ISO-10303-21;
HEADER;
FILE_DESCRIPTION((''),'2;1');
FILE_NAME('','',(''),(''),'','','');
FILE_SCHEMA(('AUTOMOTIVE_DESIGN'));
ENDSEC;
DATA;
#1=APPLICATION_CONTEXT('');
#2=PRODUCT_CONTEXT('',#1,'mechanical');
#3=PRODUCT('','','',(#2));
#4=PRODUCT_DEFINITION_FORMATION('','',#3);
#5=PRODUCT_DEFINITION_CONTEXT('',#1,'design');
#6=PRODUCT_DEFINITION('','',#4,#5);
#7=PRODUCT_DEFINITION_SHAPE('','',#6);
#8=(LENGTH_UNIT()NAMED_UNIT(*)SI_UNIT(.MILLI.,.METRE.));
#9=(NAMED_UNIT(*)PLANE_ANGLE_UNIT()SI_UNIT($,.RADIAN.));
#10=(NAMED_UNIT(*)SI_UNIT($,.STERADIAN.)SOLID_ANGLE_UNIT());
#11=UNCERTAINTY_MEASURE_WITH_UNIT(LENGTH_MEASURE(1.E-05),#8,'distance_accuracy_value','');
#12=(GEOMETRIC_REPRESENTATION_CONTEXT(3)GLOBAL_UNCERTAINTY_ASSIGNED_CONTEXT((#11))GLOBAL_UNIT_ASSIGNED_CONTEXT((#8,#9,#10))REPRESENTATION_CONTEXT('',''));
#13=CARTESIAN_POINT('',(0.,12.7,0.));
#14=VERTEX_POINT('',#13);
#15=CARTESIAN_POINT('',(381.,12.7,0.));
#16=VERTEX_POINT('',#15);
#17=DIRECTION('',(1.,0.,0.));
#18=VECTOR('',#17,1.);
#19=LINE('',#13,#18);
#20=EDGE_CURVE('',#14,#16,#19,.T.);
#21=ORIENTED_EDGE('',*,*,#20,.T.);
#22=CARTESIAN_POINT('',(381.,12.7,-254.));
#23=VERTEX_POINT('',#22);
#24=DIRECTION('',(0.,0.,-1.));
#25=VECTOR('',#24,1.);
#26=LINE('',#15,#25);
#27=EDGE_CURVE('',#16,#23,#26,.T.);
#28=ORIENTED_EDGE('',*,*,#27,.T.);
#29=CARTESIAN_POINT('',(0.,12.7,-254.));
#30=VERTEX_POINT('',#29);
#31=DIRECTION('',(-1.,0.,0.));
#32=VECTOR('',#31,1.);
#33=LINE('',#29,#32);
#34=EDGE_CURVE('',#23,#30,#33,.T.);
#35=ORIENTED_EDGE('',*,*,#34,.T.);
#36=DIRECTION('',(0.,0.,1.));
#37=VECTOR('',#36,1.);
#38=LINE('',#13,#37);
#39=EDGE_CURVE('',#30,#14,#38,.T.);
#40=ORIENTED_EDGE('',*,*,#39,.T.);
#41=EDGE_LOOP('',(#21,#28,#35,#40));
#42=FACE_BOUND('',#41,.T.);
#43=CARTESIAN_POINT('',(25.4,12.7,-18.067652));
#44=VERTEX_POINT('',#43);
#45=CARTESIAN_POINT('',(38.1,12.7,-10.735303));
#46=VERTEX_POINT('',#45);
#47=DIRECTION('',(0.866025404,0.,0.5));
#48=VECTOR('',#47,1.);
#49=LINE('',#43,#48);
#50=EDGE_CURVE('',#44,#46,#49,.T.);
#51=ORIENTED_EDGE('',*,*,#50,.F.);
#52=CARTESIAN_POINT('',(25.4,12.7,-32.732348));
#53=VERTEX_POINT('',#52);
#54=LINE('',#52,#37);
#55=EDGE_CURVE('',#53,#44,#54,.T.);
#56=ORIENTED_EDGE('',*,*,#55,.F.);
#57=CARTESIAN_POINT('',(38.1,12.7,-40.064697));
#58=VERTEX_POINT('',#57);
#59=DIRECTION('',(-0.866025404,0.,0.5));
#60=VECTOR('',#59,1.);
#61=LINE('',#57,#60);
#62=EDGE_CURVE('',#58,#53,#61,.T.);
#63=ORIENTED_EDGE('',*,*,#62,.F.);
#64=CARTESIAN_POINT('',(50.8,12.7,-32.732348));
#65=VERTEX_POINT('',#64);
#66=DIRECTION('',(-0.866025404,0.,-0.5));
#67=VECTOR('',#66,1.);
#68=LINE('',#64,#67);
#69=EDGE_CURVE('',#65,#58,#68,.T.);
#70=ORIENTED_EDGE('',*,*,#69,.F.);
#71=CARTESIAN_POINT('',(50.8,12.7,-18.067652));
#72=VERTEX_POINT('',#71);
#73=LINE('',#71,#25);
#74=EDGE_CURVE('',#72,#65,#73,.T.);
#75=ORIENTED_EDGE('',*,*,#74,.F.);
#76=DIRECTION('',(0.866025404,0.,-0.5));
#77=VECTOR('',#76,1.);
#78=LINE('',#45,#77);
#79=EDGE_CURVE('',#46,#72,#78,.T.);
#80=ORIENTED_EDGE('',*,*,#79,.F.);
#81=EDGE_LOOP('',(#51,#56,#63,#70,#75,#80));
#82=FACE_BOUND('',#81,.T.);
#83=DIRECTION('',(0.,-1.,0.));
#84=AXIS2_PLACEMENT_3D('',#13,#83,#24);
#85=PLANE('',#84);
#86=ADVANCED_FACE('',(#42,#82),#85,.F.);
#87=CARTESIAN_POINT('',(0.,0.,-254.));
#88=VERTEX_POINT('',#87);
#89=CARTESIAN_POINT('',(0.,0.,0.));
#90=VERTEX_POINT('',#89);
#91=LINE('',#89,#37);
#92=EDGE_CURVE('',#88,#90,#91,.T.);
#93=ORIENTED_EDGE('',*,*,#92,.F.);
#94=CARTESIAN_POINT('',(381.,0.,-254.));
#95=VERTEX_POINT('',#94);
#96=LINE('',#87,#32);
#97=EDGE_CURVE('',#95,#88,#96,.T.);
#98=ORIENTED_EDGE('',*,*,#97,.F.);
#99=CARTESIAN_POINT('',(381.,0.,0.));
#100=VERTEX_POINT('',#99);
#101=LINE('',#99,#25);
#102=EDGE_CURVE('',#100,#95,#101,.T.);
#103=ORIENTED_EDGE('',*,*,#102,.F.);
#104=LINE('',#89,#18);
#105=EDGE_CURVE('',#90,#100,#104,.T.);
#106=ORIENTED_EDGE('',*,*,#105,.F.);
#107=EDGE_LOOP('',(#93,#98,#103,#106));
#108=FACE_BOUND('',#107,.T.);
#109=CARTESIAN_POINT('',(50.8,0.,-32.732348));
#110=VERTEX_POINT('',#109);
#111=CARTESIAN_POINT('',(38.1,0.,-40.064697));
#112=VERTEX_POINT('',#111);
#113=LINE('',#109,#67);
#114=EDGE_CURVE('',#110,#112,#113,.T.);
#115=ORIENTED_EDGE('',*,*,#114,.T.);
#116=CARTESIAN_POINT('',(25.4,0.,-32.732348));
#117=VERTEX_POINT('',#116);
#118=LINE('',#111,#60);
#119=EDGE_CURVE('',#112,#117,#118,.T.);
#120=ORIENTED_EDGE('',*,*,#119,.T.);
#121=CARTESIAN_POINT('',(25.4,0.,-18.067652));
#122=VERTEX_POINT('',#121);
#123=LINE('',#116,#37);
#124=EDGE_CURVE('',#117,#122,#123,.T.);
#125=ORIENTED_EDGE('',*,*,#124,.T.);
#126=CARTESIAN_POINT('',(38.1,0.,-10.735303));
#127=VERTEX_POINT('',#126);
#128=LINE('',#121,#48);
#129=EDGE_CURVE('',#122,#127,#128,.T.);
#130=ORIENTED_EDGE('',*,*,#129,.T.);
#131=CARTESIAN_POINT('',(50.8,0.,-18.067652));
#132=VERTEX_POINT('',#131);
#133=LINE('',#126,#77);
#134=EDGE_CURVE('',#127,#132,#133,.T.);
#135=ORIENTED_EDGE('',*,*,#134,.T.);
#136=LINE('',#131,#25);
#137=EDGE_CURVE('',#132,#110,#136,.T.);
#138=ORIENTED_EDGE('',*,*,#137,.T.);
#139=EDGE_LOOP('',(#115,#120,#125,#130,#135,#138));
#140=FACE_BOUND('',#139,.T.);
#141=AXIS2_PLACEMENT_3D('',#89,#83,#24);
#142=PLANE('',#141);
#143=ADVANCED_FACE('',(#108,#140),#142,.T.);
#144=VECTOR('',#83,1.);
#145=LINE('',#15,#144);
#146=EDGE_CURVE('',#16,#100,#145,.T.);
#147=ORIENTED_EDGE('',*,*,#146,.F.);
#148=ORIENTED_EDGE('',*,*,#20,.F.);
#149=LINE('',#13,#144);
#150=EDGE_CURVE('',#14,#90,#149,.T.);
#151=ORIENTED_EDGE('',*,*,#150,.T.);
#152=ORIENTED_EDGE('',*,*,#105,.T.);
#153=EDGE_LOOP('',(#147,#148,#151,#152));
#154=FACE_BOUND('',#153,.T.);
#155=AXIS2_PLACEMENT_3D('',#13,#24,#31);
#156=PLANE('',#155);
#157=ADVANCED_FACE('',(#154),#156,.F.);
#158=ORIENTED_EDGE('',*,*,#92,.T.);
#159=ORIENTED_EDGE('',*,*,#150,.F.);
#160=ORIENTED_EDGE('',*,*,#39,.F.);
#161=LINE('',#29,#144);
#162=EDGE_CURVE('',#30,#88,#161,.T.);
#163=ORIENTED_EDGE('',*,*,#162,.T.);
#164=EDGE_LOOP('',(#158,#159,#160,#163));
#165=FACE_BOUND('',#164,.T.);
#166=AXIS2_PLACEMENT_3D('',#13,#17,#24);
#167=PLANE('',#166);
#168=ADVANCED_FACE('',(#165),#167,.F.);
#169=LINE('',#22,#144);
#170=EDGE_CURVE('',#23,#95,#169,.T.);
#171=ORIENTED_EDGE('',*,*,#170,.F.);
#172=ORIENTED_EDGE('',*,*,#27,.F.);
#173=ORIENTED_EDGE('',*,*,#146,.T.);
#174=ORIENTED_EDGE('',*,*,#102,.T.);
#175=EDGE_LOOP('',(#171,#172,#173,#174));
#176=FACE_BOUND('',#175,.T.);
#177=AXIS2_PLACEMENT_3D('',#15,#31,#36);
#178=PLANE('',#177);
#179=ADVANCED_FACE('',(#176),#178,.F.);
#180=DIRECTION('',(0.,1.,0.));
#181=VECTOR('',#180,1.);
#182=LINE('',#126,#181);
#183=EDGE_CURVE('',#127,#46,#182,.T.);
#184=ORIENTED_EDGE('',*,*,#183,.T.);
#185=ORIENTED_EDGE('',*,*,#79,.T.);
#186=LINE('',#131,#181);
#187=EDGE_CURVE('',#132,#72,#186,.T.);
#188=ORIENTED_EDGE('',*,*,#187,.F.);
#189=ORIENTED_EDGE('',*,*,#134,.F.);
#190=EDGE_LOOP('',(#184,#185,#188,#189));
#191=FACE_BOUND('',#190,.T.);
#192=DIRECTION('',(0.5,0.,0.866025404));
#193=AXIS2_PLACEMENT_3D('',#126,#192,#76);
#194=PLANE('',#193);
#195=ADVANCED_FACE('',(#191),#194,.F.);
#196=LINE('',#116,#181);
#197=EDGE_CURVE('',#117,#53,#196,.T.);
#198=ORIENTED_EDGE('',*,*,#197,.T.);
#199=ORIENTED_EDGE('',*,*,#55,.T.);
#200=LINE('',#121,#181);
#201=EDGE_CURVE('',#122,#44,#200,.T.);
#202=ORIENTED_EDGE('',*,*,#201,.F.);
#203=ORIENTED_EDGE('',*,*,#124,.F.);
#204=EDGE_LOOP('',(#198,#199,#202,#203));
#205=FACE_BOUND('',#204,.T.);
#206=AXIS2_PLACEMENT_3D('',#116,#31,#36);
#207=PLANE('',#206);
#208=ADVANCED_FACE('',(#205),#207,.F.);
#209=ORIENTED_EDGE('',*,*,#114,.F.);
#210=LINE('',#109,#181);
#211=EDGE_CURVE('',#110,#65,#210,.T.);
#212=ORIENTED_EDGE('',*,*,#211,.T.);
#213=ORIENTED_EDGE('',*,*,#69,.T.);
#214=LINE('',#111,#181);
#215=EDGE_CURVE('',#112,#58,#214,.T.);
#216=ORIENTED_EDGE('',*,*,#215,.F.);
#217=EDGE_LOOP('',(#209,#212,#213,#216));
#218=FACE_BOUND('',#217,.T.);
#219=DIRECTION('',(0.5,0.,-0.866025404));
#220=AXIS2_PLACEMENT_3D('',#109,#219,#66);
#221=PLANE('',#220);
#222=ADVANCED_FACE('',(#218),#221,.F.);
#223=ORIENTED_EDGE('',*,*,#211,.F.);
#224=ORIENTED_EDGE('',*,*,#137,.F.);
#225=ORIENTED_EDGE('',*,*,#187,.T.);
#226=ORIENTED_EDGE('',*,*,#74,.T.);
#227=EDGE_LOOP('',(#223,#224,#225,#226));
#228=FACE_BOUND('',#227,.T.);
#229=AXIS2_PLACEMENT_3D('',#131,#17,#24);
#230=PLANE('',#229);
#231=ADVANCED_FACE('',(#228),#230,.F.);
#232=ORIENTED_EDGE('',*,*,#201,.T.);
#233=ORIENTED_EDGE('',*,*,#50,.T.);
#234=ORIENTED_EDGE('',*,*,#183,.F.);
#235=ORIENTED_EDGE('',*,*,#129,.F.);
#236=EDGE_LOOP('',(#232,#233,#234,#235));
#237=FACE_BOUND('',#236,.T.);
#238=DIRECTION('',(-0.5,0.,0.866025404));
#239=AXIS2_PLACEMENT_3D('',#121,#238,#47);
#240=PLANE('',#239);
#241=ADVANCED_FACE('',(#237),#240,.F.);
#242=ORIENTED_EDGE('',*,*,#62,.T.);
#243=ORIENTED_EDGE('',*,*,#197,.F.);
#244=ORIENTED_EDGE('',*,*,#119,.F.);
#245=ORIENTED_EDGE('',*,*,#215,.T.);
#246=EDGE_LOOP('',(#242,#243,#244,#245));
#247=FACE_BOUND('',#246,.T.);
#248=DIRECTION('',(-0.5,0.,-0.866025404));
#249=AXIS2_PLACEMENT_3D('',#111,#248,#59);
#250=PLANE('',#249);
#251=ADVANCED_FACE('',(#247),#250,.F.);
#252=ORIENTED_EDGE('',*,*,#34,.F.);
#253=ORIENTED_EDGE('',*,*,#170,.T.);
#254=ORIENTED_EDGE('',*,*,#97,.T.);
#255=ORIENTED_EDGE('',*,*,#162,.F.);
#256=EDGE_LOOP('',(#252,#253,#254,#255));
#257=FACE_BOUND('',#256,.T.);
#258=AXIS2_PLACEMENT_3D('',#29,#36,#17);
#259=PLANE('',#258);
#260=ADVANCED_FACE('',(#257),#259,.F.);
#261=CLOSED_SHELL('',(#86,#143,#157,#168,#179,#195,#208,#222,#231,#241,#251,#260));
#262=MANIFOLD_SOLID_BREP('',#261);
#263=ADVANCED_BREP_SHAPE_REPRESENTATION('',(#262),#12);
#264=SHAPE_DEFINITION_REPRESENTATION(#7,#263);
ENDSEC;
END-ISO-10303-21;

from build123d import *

# Parameters (mm, degrees)
SKETCH1_W           = 381
SKETCH1_H           = 254
BOSS_EXTRUDE1_DEPTH = 12.7
CUT_EXTRUDE1_DEPTH  = 459.081095441


with BuildPart() as part:
    # Sketch1 → Boss-Extrude1 (new body)
    with BuildSketch(Plane(origin=(0, 0, 0), x_dir=(1, 0, 0), z_dir=(0, 1, 0))):
        with Locations((190.5, 127)):
            Rectangle(SKETCH1_W, SKETCH1_H)
    extrude(amount=BOSS_EXTRUDE1_DEPTH)

    # Sketch2 → Cut-Extrude1 (cut, through all)
    with BuildSketch(Plane(origin=(0, 12.7, 0), x_dir=(1, 0, 0), z_dir=(0, 1, 0))):
        Polygon((38.1, 10.735303163), (50.8, 18.067651581), (50.8, 32.732348419), (38.1, 40.064696837), (25.4, 32.732348419), (25.4, 18.067651581), align=None)
    extrude(amount=-CUT_EXTRUDE1_DEPTH, mode=Mode.SUBTRACT)


solid = part.part
